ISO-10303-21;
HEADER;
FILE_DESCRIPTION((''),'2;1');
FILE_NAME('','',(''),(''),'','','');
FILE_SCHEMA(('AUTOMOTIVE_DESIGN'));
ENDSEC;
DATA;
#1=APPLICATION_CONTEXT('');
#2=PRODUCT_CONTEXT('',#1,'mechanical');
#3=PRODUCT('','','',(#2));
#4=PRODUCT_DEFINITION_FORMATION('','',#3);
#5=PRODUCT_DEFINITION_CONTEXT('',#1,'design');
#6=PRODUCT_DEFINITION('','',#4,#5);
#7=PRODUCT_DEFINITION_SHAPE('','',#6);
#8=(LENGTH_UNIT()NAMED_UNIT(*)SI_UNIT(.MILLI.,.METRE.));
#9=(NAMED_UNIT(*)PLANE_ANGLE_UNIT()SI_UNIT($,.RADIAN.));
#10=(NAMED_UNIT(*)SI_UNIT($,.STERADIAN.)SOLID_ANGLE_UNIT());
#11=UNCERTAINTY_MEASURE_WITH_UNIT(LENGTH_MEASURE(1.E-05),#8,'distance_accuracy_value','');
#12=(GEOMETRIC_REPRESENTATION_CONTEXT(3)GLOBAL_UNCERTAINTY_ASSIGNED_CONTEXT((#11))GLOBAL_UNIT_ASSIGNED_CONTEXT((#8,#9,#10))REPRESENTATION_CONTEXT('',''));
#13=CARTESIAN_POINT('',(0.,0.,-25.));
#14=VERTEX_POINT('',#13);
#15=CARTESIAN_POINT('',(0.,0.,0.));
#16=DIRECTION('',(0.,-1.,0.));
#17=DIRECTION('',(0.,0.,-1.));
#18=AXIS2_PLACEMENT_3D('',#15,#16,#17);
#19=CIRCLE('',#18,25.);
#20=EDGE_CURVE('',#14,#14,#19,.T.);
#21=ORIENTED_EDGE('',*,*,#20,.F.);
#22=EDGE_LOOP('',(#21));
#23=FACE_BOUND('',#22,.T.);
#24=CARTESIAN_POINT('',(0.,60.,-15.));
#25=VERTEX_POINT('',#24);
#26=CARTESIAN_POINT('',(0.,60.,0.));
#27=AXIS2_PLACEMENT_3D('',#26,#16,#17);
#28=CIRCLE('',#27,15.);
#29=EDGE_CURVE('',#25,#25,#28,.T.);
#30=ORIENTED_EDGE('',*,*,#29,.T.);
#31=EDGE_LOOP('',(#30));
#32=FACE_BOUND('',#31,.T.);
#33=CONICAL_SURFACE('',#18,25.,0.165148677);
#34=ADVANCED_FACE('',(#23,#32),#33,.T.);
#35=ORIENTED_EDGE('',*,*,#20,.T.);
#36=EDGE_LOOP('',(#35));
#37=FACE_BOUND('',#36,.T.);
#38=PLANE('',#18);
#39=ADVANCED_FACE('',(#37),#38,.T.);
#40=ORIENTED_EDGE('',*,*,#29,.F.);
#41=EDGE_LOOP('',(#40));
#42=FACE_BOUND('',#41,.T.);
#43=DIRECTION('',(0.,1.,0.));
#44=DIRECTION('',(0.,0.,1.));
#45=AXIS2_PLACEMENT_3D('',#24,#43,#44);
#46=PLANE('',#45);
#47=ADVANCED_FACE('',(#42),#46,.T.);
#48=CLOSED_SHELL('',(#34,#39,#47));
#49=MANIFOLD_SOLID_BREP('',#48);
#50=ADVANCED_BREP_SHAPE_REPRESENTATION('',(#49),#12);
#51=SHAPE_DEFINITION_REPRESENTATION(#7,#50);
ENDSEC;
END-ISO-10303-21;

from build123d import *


with BuildPart() as part:
    # 草图1 → 旋转1 (revolve)
    with BuildSketch(Plane(origin=(0, 0, 0), x_dir=(0, 0, -1), z_dir=(1, 0, 0))):
        Polygon((0, 0), (25, 0), (15, 60), (0, 60), align=None)
    revolve(axis=Axis((0, 0, 0), (0, 1, 0)))


solid = part.part
